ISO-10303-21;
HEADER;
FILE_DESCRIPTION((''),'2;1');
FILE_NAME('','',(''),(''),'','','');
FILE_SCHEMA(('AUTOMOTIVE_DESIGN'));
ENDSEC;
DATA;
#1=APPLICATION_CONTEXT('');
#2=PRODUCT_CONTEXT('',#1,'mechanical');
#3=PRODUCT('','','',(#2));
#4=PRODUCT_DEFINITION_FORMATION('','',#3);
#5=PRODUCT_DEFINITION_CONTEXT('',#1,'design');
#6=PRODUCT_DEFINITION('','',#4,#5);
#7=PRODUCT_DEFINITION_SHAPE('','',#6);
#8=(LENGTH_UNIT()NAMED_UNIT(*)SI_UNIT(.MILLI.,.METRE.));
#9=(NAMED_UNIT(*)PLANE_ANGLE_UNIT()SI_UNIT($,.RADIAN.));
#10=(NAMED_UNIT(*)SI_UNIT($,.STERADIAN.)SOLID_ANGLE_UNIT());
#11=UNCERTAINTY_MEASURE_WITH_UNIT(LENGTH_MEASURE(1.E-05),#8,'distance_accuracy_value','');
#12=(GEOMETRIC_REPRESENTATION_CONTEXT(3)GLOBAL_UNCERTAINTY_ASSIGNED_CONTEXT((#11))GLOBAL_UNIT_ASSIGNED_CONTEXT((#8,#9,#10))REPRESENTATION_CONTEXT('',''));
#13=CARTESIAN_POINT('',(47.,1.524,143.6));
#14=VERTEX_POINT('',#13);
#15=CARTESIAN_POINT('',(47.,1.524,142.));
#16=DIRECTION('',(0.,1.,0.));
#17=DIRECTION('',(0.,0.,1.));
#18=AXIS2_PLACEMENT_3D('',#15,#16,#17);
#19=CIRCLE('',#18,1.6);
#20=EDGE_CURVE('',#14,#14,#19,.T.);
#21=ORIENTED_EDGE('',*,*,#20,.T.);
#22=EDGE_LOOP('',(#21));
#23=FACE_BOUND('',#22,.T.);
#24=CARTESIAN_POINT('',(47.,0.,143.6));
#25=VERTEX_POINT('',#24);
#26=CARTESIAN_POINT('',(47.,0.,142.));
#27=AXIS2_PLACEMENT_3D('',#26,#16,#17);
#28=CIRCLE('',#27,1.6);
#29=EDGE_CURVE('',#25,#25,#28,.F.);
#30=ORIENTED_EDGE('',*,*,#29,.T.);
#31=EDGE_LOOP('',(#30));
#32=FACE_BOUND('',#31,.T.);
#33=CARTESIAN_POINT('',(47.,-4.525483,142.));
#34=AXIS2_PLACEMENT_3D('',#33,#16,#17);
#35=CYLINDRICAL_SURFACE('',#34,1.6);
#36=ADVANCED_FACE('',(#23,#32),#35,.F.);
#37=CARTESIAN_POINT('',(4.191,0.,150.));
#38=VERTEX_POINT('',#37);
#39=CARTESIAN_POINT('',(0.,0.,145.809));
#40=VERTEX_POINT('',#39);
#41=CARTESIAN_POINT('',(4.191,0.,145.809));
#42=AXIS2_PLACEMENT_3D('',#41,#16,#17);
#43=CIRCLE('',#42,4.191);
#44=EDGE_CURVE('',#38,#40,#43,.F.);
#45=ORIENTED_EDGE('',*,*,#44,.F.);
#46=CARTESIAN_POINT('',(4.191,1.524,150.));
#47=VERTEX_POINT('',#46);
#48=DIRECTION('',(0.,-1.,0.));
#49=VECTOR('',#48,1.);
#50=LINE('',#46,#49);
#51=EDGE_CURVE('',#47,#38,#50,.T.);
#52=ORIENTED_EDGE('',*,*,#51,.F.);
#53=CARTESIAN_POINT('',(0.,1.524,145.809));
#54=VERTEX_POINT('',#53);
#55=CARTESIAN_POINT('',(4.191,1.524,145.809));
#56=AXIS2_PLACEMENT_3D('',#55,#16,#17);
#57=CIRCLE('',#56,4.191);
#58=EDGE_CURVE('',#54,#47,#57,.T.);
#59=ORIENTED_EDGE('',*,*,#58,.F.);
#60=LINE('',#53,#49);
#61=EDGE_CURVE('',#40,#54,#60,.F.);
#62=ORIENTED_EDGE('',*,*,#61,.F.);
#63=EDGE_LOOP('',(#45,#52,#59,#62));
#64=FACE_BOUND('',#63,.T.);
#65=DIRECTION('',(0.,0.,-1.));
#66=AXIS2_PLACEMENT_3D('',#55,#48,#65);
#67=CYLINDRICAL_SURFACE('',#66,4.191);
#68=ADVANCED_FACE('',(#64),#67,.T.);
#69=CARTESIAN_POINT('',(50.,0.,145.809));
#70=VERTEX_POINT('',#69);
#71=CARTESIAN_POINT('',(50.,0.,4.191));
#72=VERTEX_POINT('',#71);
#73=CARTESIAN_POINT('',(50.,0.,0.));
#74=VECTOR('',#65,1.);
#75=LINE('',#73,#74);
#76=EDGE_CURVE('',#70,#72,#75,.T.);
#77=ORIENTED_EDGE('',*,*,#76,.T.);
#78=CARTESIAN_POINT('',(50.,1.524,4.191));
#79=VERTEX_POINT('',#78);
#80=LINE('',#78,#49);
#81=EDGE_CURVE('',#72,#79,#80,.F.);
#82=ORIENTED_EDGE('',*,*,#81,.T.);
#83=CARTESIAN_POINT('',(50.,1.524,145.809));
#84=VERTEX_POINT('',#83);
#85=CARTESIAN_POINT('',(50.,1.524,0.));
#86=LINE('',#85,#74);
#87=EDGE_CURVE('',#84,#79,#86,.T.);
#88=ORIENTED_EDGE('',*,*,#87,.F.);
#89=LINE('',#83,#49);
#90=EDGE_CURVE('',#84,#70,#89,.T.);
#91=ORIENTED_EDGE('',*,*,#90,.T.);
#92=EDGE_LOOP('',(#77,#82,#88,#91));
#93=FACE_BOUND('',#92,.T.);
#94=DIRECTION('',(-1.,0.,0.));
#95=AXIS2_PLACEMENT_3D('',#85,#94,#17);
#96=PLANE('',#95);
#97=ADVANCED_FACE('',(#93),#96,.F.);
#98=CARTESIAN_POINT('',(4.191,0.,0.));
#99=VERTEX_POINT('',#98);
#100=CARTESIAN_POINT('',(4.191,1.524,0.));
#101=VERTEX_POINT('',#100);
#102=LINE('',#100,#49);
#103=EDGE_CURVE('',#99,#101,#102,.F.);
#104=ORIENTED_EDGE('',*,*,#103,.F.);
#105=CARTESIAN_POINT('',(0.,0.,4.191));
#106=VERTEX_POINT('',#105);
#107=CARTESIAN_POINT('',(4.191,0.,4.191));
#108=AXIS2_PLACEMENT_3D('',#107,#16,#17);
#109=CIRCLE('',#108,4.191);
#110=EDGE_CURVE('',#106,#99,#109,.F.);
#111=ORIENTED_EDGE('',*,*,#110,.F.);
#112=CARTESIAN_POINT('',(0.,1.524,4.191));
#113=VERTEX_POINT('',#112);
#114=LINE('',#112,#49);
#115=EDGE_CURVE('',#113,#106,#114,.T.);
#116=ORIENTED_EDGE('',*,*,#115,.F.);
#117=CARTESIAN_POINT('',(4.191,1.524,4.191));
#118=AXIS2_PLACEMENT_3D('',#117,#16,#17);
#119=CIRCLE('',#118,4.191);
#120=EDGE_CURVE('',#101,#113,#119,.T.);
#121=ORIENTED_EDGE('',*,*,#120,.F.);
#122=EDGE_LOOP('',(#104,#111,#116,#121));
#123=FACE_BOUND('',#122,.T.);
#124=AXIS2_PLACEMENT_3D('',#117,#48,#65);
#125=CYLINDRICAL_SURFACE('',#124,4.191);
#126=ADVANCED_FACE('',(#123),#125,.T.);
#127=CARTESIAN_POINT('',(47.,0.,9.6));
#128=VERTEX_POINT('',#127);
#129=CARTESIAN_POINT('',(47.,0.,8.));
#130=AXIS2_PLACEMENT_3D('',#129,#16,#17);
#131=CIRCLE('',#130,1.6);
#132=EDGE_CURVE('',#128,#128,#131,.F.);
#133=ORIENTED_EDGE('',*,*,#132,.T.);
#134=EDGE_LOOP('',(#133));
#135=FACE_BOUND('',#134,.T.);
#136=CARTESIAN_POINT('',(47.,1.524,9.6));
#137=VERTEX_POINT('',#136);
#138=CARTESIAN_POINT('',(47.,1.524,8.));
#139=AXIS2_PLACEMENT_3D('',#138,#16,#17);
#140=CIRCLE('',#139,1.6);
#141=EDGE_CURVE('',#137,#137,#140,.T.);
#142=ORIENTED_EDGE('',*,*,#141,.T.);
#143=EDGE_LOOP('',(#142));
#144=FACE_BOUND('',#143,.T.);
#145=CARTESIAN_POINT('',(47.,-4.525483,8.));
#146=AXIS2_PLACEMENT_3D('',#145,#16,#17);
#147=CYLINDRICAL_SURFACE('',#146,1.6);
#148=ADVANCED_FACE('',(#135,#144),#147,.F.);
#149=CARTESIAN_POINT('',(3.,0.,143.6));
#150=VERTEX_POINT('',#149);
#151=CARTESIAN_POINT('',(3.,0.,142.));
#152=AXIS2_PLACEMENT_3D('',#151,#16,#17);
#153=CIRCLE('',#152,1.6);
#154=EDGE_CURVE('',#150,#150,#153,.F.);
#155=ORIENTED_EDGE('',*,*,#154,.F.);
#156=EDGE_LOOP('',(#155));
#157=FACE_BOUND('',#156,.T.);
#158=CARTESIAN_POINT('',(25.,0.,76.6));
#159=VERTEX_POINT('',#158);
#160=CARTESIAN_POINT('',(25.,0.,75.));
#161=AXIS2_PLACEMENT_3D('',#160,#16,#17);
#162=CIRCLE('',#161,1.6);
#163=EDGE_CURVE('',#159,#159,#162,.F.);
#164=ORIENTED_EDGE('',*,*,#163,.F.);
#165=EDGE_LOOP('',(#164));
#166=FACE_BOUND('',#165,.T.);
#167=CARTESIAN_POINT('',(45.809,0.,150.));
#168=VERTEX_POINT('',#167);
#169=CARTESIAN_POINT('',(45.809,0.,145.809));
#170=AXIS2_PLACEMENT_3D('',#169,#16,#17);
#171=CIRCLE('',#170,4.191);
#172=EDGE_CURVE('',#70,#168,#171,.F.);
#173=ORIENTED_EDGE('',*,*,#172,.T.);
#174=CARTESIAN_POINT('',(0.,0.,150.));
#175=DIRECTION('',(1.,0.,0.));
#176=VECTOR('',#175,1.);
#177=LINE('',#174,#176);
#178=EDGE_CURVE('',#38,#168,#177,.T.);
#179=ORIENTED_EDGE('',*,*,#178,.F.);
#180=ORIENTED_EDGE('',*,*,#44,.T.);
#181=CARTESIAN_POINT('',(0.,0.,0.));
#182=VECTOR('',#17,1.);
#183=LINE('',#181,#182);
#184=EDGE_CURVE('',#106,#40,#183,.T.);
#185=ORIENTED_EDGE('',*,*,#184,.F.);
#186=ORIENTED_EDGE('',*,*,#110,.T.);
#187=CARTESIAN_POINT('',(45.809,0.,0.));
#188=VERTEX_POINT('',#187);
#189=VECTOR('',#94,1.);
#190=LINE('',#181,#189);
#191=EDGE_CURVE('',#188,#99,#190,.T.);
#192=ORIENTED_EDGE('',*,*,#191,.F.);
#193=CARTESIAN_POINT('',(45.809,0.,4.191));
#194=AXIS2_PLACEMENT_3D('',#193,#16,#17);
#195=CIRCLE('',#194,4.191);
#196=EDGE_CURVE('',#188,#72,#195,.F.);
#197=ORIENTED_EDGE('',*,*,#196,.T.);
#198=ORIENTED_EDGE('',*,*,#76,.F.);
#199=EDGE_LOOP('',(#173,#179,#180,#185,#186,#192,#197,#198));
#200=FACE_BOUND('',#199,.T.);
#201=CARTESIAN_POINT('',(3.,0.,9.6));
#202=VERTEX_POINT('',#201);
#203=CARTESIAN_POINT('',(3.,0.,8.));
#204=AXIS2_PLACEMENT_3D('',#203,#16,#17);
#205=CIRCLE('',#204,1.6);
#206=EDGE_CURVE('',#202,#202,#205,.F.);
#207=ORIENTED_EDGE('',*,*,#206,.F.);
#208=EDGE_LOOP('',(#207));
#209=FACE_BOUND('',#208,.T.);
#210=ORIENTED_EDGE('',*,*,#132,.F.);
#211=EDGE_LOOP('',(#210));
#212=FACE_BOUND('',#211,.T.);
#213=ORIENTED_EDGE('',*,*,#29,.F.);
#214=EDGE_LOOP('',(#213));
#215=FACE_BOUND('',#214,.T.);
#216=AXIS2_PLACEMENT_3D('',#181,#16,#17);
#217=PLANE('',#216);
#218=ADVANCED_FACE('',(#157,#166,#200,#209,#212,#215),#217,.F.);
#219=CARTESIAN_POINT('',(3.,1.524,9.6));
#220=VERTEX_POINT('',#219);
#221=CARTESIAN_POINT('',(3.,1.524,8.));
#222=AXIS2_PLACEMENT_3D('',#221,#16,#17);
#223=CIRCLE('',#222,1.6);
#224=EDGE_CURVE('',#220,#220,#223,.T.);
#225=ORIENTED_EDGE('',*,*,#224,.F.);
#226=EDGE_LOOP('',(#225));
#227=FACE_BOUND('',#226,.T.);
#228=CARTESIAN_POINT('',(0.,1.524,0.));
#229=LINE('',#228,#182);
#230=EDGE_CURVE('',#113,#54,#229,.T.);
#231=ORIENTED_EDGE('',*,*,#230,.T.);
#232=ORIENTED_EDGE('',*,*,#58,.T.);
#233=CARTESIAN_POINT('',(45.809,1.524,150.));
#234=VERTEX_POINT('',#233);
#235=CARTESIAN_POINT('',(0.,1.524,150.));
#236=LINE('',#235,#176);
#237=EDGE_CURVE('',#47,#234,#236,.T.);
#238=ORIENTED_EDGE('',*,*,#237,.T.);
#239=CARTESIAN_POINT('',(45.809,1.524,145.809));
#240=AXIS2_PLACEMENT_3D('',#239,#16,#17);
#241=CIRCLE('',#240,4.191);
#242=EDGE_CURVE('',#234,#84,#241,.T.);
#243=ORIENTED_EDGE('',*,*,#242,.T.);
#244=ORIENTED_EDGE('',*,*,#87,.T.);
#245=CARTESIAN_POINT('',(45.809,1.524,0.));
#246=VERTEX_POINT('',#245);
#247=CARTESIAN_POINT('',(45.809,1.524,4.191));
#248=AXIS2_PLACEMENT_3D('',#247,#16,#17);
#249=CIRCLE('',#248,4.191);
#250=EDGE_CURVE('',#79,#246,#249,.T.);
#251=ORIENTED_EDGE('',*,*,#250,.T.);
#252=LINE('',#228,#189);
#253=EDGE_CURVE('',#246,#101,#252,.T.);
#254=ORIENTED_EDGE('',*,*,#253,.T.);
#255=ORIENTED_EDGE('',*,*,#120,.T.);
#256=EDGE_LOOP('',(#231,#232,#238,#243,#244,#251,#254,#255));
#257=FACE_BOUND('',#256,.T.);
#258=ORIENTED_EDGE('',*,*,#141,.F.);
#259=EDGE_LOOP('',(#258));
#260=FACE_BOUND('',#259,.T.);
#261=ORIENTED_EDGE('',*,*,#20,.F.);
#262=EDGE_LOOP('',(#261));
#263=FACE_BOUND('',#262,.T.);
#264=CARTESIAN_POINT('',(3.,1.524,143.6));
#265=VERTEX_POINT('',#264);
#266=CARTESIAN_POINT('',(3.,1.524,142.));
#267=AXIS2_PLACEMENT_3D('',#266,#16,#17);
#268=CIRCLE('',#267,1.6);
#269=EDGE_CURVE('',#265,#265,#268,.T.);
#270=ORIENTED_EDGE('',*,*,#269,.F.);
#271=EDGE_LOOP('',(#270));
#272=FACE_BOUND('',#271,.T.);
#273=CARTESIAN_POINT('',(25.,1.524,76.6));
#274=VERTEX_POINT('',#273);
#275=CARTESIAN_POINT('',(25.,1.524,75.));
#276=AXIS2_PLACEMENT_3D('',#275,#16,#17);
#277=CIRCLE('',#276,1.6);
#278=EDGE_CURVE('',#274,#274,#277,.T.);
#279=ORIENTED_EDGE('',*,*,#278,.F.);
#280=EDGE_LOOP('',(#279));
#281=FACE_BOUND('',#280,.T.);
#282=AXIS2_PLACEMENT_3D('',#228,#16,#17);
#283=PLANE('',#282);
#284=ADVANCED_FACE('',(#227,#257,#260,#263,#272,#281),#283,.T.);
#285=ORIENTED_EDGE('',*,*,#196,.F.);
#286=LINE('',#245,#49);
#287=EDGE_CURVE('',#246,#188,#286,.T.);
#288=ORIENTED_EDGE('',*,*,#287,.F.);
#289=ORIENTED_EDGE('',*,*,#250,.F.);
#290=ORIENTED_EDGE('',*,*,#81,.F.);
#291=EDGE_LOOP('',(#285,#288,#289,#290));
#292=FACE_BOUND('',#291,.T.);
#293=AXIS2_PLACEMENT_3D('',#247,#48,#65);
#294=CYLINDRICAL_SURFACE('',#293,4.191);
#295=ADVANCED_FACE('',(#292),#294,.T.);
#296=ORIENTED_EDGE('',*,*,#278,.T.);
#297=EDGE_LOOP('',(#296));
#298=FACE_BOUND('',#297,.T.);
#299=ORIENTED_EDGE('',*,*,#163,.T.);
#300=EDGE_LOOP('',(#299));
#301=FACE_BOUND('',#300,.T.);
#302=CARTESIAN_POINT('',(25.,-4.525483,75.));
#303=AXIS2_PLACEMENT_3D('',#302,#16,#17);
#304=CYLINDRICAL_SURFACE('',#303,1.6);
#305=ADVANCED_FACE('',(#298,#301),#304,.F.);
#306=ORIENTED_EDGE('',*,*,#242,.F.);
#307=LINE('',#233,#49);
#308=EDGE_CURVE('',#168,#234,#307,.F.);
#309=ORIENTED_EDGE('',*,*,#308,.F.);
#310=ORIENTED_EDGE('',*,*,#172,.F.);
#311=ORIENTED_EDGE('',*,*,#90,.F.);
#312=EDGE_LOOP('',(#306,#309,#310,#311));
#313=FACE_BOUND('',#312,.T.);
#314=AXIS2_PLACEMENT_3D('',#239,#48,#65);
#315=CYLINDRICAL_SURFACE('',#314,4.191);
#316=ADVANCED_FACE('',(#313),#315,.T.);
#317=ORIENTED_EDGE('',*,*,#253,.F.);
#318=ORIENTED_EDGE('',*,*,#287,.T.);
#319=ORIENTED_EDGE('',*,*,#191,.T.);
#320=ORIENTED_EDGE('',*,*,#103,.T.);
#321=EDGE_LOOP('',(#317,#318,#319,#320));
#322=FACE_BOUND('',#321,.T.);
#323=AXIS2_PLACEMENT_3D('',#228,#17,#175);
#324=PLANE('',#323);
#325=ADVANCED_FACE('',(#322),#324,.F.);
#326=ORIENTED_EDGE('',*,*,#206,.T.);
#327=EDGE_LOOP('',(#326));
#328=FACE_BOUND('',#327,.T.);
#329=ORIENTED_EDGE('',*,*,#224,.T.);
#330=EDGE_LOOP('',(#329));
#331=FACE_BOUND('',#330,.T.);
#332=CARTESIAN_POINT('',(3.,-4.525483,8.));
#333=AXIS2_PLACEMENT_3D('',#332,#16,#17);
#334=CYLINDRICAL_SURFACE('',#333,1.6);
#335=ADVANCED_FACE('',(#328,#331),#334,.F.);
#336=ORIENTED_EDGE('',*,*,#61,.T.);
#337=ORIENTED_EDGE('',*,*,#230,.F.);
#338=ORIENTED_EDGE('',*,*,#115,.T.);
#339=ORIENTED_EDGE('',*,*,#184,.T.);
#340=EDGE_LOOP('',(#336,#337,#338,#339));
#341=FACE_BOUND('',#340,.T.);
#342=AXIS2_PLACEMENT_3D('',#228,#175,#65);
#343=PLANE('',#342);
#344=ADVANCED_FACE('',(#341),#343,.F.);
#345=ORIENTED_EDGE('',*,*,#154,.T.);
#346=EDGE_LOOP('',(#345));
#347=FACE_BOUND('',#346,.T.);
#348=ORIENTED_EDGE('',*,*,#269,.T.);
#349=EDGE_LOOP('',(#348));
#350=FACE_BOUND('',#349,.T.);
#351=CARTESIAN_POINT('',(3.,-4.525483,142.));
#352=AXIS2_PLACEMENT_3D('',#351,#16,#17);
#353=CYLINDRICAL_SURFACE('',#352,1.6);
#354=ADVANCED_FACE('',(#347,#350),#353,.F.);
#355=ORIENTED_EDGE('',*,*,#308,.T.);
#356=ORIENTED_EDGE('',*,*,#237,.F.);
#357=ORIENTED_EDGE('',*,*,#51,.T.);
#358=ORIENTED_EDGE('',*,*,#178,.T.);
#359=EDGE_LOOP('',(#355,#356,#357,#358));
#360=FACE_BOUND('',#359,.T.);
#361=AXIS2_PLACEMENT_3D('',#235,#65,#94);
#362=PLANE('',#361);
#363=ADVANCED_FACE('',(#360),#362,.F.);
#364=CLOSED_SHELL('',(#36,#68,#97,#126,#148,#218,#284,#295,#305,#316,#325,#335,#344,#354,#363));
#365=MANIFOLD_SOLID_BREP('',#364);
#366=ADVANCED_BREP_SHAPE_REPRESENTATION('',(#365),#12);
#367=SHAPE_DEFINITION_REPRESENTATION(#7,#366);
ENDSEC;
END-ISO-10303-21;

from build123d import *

# Parameters (mm, degrees)
SKETCH1_W            = 50
SKETCH1_H            = 150
BOSS_EXTRUDE1_DEPTH  = 1.524
SKETCH2_R            = 1.6
CUT_EXTRUDE1_DEPTH   = 1.524
LPATTERN1_COUNT      = 2
LPATTERN1_PITCH      = 44
LPATTERN1_COUNT_DIR2 = 2
LPATTERN1_PITCH_DIR2 = 134
FILLET1_R            = 4.191
SKETCH3_R            = 1.6
CUT_EXTRUDE2_DEPTH   = 1.524


with BuildPart() as part:
    # Sketch1 → Boss-Extrude1 (new body)
    with BuildSketch(Plane(origin=(0, 0, 0), x_dir=(1, 0, 0), z_dir=(0, 1, 0))):
        with Locations((25, -75)):
            Rectangle(SKETCH1_W, SKETCH1_H)
    extrude(amount=BOSS_EXTRUDE1_DEPTH)

    # Sketch2 → Cut-Extrude1 (cut)
    with BuildSketch(Plane(origin=(0, 1.524, 0), x_dir=(1, 0, 0), z_dir=(0, 1, 0))):
        with Locations((47, -8)):
            Circle(SKETCH2_R)
    cut_extrude1 = extrude(amount=-CUT_EXTRUDE1_DEPTH, mode=Mode.SUBTRACT)

    # LPattern1: Cut-Extrude1 2 × 2
    with Locations(*[(-i * LPATTERN1_PITCH, 0, j * LPATTERN1_PITCH_DIR2) for i in range(LPATTERN1_COUNT) for j in range(LPATTERN1_COUNT_DIR2) if (i, j) != (0, 0)]):
        add(cut_extrude1, mode=Mode.SUBTRACT)

    # Fillet1
    fillet1_edges = [part.edges().sort_by_distance(p)[0] for p in [
        (0, 0.762, 0),
        (50, 0.762, 0),
        (50, 0.762, 150),
        (0, 0.762, 150),
    ]]
    fillet(fillet1_edges, radius=FILLET1_R)

    # Sketch3 → Cut-Extrude2 (cut)
    with BuildSketch(Plane(origin=(0, 1.524, 0), x_dir=(1, 0, 0), z_dir=(0, 1, 0))):
        with Locations((25, -75)):
            Circle(SKETCH3_R)
    extrude(amount=-CUT_EXTRUDE2_DEPTH, mode=Mode.SUBTRACT)


solid = part.part
